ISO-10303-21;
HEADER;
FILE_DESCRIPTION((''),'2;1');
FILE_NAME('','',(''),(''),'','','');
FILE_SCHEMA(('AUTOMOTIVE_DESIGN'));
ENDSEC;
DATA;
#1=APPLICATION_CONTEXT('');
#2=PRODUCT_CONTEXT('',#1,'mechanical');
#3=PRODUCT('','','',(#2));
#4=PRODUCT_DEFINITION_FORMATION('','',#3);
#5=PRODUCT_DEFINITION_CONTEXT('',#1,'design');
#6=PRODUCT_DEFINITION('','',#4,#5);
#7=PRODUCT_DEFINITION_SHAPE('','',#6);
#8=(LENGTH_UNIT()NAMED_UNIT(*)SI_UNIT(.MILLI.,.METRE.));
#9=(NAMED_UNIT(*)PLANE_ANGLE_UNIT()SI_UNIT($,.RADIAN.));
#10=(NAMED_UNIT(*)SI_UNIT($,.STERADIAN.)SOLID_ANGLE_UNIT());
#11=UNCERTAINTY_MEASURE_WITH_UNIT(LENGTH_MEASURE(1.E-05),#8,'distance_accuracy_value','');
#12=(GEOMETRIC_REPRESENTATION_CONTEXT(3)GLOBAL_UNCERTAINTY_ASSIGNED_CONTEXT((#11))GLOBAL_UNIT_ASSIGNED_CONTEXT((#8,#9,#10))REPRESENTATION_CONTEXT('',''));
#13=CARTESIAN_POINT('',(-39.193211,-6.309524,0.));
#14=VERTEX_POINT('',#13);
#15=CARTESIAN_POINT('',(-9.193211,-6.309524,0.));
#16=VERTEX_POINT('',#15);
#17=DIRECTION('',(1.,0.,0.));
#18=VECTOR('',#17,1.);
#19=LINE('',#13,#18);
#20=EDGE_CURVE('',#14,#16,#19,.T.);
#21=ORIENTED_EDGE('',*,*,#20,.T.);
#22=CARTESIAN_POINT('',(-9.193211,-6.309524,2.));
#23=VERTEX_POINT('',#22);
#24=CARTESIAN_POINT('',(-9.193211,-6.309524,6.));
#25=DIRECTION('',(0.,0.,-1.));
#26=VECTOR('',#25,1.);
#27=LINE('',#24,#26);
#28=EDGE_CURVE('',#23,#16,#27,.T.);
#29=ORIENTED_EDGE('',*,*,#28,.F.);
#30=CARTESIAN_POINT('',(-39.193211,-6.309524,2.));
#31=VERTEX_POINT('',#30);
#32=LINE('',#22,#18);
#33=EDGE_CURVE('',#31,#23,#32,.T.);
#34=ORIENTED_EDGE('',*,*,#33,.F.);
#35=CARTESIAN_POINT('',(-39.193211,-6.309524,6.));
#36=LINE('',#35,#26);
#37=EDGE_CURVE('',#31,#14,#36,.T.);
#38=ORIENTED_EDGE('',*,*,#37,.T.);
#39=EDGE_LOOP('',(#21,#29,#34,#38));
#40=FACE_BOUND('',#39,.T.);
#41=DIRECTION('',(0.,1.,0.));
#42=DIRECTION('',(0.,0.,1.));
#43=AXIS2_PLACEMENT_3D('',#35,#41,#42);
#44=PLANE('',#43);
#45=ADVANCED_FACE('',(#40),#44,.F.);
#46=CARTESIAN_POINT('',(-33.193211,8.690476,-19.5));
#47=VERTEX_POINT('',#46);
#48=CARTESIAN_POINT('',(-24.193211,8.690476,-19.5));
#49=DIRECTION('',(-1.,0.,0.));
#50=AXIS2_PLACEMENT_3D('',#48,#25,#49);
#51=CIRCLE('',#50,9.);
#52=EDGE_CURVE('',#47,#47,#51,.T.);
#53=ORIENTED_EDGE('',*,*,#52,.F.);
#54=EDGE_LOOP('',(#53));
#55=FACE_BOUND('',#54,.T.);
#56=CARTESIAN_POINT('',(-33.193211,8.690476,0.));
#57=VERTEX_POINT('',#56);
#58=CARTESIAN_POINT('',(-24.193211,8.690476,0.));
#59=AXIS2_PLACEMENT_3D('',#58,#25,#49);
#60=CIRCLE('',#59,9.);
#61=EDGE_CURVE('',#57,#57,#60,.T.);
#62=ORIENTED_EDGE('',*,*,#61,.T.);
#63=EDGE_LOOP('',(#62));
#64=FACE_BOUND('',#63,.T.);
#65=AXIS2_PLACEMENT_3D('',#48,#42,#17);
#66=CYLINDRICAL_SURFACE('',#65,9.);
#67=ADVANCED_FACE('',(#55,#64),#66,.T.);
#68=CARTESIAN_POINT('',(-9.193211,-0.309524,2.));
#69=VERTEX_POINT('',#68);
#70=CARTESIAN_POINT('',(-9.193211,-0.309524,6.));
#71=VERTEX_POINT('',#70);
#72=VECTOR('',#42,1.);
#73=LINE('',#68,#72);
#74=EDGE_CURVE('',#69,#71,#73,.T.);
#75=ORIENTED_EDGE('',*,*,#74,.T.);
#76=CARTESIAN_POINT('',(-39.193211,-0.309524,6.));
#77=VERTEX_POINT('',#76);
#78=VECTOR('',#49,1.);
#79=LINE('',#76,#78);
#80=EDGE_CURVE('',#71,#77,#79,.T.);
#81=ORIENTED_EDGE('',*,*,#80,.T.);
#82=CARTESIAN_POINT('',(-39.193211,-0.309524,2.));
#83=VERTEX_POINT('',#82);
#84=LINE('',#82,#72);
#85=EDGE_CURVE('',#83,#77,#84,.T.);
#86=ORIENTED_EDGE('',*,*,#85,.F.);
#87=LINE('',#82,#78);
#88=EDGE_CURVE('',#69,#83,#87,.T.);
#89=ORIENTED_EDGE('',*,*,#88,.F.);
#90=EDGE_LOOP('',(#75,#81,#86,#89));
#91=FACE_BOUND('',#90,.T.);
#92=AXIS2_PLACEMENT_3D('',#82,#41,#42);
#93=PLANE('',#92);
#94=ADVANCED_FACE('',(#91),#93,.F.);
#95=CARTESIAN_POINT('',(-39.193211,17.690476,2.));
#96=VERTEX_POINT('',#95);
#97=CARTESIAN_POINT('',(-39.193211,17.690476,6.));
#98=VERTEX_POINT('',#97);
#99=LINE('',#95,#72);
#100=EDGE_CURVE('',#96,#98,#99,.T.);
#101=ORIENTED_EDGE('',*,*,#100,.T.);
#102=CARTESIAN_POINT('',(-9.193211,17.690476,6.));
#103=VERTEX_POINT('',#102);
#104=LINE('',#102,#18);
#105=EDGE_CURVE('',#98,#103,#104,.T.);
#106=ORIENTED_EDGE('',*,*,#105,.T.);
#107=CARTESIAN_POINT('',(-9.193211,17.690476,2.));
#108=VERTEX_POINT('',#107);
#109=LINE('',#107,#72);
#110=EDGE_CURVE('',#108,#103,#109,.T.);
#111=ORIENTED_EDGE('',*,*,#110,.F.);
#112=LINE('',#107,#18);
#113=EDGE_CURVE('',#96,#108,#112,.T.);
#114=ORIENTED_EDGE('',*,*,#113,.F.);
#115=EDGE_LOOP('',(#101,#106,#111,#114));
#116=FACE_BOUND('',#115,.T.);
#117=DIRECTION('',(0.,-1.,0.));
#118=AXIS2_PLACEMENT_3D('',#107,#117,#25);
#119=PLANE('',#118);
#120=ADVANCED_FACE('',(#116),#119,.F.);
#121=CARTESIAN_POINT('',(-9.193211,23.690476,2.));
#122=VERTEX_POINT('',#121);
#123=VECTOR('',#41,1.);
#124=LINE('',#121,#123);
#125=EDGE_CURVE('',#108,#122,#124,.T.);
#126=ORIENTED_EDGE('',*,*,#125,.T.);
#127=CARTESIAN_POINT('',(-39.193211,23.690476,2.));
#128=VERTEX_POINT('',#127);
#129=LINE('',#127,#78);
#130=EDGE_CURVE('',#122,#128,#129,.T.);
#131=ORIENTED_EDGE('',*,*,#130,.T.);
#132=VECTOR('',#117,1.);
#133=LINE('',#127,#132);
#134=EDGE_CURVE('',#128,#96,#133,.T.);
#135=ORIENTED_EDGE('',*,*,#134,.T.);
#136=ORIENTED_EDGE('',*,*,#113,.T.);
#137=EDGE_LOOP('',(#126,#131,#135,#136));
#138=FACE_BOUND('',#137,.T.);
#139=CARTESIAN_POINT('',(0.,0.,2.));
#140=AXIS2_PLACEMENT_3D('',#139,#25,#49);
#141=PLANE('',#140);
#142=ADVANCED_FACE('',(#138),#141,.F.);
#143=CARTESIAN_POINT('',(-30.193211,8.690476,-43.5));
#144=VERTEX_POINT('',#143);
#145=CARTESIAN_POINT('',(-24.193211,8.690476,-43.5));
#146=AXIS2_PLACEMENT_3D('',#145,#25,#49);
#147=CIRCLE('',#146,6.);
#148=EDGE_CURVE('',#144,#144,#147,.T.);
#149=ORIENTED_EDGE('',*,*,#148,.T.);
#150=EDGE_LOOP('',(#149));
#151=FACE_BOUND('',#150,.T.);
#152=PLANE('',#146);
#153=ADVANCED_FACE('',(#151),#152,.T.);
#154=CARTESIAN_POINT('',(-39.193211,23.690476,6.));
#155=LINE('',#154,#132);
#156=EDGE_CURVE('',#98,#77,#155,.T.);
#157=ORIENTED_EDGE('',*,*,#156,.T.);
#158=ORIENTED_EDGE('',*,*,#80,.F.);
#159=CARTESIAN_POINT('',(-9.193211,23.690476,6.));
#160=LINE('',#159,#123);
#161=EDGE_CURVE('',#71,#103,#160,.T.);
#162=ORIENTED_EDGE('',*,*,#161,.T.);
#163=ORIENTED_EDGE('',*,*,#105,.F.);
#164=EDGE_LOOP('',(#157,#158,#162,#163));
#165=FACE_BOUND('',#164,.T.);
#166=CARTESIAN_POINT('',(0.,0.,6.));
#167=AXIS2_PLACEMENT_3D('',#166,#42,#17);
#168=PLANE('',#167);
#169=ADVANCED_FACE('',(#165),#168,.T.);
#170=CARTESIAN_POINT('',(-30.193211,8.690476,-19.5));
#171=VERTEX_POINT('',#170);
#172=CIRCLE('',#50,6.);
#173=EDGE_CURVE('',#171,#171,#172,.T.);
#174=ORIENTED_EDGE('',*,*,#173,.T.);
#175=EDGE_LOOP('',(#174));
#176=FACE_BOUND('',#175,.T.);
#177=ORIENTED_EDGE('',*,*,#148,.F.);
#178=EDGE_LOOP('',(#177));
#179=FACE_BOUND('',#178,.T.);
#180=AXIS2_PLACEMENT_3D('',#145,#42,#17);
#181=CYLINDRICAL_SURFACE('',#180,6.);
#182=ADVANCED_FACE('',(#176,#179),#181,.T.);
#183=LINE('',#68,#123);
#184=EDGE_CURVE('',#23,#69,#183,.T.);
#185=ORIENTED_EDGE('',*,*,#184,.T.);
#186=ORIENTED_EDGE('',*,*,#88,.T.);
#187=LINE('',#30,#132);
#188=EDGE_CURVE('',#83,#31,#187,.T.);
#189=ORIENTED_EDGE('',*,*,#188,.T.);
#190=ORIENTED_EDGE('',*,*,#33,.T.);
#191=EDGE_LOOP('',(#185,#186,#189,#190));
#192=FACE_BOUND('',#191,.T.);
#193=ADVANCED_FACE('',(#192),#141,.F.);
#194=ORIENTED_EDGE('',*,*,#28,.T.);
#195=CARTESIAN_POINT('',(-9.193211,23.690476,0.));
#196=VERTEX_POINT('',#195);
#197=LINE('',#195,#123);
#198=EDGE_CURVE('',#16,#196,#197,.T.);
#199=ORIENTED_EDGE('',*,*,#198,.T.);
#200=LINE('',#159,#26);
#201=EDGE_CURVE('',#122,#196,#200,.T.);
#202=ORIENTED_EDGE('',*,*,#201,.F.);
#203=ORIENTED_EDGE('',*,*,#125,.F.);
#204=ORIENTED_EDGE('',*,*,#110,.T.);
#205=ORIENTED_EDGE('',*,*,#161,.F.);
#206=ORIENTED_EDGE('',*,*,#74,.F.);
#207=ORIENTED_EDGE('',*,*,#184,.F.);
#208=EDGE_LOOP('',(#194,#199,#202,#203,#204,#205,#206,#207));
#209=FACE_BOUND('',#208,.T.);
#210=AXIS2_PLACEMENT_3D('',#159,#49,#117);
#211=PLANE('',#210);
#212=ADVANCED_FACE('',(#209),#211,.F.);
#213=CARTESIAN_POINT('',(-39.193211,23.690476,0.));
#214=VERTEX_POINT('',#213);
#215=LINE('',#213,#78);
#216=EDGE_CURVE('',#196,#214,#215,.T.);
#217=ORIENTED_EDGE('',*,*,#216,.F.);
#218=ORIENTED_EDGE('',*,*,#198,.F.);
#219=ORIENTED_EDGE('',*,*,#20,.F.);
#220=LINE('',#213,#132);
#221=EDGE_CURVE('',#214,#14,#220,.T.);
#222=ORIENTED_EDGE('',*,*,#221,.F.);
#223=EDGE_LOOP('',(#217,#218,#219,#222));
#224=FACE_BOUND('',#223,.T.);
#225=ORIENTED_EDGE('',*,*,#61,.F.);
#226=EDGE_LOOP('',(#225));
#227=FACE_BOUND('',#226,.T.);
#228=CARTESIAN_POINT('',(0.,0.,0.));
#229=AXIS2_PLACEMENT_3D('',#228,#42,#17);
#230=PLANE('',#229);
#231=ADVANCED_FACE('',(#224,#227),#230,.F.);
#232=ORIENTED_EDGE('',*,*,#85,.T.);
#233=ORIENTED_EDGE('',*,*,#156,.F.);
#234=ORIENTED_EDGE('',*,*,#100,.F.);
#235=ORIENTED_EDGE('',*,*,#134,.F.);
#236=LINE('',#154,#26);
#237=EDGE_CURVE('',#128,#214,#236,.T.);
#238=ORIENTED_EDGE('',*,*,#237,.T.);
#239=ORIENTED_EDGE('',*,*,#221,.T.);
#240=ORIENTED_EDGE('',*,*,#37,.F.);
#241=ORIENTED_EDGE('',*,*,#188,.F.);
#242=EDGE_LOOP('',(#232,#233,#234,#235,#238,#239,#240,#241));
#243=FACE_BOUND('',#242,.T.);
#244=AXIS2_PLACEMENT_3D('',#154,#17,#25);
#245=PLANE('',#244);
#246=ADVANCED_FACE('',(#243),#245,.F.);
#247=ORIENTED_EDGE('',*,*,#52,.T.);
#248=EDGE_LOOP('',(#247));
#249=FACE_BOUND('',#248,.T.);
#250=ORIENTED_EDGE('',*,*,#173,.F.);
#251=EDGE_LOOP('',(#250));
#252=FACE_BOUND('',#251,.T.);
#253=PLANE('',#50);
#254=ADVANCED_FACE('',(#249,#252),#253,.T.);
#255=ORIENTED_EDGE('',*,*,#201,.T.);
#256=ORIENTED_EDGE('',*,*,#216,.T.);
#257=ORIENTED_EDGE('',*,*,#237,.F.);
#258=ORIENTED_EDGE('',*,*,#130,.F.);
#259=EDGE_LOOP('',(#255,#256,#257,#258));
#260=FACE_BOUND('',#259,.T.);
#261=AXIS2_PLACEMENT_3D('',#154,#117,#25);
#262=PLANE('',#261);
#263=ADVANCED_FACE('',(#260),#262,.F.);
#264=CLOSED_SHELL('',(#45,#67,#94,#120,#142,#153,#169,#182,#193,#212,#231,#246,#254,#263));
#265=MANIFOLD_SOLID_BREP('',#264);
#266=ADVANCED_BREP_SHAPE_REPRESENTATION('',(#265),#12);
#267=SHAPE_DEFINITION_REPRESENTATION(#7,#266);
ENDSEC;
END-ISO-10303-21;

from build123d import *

# Parameters (mm, degrees)
IZIM1_W                     = 30
IZIM1_H                     = 30
Y_KSEKLIK_EKSTR_ZYON1_DEPTH = 6
IZIM2_W                     = 30
IZIM2_H                     = 6
KES_EKSTR_ZYON1_DEPTH       = 4
IZIM3_W                     = 30
IZIM3_H                     = 6
KES_EKSTR_ZYON2_DEPTH       = 4
IZIM4_R                     = 9
Y_KSEKLIK_EKSTR_ZYON2_DEPTH = 19.5
IZIM5_R                     = 6
Y_KSEKLIK_EKSTR_ZYON3_DEPTH = 24


with BuildPart() as part:
    # Çizim1 → Yükseklik-Ekstrüzyon1 (new body)
    with BuildSketch(Plane.XY):
        with Locations((-24.193211068, 8.69047619)):
            Rectangle(IZIM1_W, IZIM1_H)
    extrude(amount=Y_KSEKLIK_EKSTR_ZYON1_DEPTH)

    # Çizim2 → Kes-Ekstrüzyon1 (cut)
    with BuildSketch(Plane.XY.offset(6)):
        with Locations((-24.193211068, -3.30952381)):
            Rectangle(IZIM2_W, IZIM2_H)
    extrude(amount=-KES_EKSTR_ZYON1_DEPTH, mode=Mode.SUBTRACT)

    # Çizim3 → Kes-Ekstrüzyon2 (cut)
    with BuildSketch(Plane.XY.offset(6)):
        with Locations((-24.193211068, 20.69047619)):
            Rectangle(IZIM3_W, IZIM3_H)
    extrude(amount=-KES_EKSTR_ZYON2_DEPTH, mode=Mode.SUBTRACT)

    # Çizim4 → Yükseklik-Ekstrüzyon2 (add)
    with BuildSketch(Plane(origin=(0, 0, 0), x_dir=(-1, 0, 0), z_dir=(0, 0, -1))):
        with Locations((24.193211068, 8.69047619)):
            Circle(IZIM4_R)
    extrude(amount=Y_KSEKLIK_EKSTR_ZYON2_DEPTH)

    # Çizim5 → Yükseklik-Ekstrüzyon3 (add)
    with BuildSketch(Plane(origin=(0, 0, -19.5), x_dir=(-1, 0, 0), z_dir=(0, 0, -1))):
        with Locations((24.193211068, 8.69047619)):
            Circle(IZIM5_R)
    extrude(amount=Y_KSEKLIK_EKSTR_ZYON3_DEPTH)


solid = part.part
